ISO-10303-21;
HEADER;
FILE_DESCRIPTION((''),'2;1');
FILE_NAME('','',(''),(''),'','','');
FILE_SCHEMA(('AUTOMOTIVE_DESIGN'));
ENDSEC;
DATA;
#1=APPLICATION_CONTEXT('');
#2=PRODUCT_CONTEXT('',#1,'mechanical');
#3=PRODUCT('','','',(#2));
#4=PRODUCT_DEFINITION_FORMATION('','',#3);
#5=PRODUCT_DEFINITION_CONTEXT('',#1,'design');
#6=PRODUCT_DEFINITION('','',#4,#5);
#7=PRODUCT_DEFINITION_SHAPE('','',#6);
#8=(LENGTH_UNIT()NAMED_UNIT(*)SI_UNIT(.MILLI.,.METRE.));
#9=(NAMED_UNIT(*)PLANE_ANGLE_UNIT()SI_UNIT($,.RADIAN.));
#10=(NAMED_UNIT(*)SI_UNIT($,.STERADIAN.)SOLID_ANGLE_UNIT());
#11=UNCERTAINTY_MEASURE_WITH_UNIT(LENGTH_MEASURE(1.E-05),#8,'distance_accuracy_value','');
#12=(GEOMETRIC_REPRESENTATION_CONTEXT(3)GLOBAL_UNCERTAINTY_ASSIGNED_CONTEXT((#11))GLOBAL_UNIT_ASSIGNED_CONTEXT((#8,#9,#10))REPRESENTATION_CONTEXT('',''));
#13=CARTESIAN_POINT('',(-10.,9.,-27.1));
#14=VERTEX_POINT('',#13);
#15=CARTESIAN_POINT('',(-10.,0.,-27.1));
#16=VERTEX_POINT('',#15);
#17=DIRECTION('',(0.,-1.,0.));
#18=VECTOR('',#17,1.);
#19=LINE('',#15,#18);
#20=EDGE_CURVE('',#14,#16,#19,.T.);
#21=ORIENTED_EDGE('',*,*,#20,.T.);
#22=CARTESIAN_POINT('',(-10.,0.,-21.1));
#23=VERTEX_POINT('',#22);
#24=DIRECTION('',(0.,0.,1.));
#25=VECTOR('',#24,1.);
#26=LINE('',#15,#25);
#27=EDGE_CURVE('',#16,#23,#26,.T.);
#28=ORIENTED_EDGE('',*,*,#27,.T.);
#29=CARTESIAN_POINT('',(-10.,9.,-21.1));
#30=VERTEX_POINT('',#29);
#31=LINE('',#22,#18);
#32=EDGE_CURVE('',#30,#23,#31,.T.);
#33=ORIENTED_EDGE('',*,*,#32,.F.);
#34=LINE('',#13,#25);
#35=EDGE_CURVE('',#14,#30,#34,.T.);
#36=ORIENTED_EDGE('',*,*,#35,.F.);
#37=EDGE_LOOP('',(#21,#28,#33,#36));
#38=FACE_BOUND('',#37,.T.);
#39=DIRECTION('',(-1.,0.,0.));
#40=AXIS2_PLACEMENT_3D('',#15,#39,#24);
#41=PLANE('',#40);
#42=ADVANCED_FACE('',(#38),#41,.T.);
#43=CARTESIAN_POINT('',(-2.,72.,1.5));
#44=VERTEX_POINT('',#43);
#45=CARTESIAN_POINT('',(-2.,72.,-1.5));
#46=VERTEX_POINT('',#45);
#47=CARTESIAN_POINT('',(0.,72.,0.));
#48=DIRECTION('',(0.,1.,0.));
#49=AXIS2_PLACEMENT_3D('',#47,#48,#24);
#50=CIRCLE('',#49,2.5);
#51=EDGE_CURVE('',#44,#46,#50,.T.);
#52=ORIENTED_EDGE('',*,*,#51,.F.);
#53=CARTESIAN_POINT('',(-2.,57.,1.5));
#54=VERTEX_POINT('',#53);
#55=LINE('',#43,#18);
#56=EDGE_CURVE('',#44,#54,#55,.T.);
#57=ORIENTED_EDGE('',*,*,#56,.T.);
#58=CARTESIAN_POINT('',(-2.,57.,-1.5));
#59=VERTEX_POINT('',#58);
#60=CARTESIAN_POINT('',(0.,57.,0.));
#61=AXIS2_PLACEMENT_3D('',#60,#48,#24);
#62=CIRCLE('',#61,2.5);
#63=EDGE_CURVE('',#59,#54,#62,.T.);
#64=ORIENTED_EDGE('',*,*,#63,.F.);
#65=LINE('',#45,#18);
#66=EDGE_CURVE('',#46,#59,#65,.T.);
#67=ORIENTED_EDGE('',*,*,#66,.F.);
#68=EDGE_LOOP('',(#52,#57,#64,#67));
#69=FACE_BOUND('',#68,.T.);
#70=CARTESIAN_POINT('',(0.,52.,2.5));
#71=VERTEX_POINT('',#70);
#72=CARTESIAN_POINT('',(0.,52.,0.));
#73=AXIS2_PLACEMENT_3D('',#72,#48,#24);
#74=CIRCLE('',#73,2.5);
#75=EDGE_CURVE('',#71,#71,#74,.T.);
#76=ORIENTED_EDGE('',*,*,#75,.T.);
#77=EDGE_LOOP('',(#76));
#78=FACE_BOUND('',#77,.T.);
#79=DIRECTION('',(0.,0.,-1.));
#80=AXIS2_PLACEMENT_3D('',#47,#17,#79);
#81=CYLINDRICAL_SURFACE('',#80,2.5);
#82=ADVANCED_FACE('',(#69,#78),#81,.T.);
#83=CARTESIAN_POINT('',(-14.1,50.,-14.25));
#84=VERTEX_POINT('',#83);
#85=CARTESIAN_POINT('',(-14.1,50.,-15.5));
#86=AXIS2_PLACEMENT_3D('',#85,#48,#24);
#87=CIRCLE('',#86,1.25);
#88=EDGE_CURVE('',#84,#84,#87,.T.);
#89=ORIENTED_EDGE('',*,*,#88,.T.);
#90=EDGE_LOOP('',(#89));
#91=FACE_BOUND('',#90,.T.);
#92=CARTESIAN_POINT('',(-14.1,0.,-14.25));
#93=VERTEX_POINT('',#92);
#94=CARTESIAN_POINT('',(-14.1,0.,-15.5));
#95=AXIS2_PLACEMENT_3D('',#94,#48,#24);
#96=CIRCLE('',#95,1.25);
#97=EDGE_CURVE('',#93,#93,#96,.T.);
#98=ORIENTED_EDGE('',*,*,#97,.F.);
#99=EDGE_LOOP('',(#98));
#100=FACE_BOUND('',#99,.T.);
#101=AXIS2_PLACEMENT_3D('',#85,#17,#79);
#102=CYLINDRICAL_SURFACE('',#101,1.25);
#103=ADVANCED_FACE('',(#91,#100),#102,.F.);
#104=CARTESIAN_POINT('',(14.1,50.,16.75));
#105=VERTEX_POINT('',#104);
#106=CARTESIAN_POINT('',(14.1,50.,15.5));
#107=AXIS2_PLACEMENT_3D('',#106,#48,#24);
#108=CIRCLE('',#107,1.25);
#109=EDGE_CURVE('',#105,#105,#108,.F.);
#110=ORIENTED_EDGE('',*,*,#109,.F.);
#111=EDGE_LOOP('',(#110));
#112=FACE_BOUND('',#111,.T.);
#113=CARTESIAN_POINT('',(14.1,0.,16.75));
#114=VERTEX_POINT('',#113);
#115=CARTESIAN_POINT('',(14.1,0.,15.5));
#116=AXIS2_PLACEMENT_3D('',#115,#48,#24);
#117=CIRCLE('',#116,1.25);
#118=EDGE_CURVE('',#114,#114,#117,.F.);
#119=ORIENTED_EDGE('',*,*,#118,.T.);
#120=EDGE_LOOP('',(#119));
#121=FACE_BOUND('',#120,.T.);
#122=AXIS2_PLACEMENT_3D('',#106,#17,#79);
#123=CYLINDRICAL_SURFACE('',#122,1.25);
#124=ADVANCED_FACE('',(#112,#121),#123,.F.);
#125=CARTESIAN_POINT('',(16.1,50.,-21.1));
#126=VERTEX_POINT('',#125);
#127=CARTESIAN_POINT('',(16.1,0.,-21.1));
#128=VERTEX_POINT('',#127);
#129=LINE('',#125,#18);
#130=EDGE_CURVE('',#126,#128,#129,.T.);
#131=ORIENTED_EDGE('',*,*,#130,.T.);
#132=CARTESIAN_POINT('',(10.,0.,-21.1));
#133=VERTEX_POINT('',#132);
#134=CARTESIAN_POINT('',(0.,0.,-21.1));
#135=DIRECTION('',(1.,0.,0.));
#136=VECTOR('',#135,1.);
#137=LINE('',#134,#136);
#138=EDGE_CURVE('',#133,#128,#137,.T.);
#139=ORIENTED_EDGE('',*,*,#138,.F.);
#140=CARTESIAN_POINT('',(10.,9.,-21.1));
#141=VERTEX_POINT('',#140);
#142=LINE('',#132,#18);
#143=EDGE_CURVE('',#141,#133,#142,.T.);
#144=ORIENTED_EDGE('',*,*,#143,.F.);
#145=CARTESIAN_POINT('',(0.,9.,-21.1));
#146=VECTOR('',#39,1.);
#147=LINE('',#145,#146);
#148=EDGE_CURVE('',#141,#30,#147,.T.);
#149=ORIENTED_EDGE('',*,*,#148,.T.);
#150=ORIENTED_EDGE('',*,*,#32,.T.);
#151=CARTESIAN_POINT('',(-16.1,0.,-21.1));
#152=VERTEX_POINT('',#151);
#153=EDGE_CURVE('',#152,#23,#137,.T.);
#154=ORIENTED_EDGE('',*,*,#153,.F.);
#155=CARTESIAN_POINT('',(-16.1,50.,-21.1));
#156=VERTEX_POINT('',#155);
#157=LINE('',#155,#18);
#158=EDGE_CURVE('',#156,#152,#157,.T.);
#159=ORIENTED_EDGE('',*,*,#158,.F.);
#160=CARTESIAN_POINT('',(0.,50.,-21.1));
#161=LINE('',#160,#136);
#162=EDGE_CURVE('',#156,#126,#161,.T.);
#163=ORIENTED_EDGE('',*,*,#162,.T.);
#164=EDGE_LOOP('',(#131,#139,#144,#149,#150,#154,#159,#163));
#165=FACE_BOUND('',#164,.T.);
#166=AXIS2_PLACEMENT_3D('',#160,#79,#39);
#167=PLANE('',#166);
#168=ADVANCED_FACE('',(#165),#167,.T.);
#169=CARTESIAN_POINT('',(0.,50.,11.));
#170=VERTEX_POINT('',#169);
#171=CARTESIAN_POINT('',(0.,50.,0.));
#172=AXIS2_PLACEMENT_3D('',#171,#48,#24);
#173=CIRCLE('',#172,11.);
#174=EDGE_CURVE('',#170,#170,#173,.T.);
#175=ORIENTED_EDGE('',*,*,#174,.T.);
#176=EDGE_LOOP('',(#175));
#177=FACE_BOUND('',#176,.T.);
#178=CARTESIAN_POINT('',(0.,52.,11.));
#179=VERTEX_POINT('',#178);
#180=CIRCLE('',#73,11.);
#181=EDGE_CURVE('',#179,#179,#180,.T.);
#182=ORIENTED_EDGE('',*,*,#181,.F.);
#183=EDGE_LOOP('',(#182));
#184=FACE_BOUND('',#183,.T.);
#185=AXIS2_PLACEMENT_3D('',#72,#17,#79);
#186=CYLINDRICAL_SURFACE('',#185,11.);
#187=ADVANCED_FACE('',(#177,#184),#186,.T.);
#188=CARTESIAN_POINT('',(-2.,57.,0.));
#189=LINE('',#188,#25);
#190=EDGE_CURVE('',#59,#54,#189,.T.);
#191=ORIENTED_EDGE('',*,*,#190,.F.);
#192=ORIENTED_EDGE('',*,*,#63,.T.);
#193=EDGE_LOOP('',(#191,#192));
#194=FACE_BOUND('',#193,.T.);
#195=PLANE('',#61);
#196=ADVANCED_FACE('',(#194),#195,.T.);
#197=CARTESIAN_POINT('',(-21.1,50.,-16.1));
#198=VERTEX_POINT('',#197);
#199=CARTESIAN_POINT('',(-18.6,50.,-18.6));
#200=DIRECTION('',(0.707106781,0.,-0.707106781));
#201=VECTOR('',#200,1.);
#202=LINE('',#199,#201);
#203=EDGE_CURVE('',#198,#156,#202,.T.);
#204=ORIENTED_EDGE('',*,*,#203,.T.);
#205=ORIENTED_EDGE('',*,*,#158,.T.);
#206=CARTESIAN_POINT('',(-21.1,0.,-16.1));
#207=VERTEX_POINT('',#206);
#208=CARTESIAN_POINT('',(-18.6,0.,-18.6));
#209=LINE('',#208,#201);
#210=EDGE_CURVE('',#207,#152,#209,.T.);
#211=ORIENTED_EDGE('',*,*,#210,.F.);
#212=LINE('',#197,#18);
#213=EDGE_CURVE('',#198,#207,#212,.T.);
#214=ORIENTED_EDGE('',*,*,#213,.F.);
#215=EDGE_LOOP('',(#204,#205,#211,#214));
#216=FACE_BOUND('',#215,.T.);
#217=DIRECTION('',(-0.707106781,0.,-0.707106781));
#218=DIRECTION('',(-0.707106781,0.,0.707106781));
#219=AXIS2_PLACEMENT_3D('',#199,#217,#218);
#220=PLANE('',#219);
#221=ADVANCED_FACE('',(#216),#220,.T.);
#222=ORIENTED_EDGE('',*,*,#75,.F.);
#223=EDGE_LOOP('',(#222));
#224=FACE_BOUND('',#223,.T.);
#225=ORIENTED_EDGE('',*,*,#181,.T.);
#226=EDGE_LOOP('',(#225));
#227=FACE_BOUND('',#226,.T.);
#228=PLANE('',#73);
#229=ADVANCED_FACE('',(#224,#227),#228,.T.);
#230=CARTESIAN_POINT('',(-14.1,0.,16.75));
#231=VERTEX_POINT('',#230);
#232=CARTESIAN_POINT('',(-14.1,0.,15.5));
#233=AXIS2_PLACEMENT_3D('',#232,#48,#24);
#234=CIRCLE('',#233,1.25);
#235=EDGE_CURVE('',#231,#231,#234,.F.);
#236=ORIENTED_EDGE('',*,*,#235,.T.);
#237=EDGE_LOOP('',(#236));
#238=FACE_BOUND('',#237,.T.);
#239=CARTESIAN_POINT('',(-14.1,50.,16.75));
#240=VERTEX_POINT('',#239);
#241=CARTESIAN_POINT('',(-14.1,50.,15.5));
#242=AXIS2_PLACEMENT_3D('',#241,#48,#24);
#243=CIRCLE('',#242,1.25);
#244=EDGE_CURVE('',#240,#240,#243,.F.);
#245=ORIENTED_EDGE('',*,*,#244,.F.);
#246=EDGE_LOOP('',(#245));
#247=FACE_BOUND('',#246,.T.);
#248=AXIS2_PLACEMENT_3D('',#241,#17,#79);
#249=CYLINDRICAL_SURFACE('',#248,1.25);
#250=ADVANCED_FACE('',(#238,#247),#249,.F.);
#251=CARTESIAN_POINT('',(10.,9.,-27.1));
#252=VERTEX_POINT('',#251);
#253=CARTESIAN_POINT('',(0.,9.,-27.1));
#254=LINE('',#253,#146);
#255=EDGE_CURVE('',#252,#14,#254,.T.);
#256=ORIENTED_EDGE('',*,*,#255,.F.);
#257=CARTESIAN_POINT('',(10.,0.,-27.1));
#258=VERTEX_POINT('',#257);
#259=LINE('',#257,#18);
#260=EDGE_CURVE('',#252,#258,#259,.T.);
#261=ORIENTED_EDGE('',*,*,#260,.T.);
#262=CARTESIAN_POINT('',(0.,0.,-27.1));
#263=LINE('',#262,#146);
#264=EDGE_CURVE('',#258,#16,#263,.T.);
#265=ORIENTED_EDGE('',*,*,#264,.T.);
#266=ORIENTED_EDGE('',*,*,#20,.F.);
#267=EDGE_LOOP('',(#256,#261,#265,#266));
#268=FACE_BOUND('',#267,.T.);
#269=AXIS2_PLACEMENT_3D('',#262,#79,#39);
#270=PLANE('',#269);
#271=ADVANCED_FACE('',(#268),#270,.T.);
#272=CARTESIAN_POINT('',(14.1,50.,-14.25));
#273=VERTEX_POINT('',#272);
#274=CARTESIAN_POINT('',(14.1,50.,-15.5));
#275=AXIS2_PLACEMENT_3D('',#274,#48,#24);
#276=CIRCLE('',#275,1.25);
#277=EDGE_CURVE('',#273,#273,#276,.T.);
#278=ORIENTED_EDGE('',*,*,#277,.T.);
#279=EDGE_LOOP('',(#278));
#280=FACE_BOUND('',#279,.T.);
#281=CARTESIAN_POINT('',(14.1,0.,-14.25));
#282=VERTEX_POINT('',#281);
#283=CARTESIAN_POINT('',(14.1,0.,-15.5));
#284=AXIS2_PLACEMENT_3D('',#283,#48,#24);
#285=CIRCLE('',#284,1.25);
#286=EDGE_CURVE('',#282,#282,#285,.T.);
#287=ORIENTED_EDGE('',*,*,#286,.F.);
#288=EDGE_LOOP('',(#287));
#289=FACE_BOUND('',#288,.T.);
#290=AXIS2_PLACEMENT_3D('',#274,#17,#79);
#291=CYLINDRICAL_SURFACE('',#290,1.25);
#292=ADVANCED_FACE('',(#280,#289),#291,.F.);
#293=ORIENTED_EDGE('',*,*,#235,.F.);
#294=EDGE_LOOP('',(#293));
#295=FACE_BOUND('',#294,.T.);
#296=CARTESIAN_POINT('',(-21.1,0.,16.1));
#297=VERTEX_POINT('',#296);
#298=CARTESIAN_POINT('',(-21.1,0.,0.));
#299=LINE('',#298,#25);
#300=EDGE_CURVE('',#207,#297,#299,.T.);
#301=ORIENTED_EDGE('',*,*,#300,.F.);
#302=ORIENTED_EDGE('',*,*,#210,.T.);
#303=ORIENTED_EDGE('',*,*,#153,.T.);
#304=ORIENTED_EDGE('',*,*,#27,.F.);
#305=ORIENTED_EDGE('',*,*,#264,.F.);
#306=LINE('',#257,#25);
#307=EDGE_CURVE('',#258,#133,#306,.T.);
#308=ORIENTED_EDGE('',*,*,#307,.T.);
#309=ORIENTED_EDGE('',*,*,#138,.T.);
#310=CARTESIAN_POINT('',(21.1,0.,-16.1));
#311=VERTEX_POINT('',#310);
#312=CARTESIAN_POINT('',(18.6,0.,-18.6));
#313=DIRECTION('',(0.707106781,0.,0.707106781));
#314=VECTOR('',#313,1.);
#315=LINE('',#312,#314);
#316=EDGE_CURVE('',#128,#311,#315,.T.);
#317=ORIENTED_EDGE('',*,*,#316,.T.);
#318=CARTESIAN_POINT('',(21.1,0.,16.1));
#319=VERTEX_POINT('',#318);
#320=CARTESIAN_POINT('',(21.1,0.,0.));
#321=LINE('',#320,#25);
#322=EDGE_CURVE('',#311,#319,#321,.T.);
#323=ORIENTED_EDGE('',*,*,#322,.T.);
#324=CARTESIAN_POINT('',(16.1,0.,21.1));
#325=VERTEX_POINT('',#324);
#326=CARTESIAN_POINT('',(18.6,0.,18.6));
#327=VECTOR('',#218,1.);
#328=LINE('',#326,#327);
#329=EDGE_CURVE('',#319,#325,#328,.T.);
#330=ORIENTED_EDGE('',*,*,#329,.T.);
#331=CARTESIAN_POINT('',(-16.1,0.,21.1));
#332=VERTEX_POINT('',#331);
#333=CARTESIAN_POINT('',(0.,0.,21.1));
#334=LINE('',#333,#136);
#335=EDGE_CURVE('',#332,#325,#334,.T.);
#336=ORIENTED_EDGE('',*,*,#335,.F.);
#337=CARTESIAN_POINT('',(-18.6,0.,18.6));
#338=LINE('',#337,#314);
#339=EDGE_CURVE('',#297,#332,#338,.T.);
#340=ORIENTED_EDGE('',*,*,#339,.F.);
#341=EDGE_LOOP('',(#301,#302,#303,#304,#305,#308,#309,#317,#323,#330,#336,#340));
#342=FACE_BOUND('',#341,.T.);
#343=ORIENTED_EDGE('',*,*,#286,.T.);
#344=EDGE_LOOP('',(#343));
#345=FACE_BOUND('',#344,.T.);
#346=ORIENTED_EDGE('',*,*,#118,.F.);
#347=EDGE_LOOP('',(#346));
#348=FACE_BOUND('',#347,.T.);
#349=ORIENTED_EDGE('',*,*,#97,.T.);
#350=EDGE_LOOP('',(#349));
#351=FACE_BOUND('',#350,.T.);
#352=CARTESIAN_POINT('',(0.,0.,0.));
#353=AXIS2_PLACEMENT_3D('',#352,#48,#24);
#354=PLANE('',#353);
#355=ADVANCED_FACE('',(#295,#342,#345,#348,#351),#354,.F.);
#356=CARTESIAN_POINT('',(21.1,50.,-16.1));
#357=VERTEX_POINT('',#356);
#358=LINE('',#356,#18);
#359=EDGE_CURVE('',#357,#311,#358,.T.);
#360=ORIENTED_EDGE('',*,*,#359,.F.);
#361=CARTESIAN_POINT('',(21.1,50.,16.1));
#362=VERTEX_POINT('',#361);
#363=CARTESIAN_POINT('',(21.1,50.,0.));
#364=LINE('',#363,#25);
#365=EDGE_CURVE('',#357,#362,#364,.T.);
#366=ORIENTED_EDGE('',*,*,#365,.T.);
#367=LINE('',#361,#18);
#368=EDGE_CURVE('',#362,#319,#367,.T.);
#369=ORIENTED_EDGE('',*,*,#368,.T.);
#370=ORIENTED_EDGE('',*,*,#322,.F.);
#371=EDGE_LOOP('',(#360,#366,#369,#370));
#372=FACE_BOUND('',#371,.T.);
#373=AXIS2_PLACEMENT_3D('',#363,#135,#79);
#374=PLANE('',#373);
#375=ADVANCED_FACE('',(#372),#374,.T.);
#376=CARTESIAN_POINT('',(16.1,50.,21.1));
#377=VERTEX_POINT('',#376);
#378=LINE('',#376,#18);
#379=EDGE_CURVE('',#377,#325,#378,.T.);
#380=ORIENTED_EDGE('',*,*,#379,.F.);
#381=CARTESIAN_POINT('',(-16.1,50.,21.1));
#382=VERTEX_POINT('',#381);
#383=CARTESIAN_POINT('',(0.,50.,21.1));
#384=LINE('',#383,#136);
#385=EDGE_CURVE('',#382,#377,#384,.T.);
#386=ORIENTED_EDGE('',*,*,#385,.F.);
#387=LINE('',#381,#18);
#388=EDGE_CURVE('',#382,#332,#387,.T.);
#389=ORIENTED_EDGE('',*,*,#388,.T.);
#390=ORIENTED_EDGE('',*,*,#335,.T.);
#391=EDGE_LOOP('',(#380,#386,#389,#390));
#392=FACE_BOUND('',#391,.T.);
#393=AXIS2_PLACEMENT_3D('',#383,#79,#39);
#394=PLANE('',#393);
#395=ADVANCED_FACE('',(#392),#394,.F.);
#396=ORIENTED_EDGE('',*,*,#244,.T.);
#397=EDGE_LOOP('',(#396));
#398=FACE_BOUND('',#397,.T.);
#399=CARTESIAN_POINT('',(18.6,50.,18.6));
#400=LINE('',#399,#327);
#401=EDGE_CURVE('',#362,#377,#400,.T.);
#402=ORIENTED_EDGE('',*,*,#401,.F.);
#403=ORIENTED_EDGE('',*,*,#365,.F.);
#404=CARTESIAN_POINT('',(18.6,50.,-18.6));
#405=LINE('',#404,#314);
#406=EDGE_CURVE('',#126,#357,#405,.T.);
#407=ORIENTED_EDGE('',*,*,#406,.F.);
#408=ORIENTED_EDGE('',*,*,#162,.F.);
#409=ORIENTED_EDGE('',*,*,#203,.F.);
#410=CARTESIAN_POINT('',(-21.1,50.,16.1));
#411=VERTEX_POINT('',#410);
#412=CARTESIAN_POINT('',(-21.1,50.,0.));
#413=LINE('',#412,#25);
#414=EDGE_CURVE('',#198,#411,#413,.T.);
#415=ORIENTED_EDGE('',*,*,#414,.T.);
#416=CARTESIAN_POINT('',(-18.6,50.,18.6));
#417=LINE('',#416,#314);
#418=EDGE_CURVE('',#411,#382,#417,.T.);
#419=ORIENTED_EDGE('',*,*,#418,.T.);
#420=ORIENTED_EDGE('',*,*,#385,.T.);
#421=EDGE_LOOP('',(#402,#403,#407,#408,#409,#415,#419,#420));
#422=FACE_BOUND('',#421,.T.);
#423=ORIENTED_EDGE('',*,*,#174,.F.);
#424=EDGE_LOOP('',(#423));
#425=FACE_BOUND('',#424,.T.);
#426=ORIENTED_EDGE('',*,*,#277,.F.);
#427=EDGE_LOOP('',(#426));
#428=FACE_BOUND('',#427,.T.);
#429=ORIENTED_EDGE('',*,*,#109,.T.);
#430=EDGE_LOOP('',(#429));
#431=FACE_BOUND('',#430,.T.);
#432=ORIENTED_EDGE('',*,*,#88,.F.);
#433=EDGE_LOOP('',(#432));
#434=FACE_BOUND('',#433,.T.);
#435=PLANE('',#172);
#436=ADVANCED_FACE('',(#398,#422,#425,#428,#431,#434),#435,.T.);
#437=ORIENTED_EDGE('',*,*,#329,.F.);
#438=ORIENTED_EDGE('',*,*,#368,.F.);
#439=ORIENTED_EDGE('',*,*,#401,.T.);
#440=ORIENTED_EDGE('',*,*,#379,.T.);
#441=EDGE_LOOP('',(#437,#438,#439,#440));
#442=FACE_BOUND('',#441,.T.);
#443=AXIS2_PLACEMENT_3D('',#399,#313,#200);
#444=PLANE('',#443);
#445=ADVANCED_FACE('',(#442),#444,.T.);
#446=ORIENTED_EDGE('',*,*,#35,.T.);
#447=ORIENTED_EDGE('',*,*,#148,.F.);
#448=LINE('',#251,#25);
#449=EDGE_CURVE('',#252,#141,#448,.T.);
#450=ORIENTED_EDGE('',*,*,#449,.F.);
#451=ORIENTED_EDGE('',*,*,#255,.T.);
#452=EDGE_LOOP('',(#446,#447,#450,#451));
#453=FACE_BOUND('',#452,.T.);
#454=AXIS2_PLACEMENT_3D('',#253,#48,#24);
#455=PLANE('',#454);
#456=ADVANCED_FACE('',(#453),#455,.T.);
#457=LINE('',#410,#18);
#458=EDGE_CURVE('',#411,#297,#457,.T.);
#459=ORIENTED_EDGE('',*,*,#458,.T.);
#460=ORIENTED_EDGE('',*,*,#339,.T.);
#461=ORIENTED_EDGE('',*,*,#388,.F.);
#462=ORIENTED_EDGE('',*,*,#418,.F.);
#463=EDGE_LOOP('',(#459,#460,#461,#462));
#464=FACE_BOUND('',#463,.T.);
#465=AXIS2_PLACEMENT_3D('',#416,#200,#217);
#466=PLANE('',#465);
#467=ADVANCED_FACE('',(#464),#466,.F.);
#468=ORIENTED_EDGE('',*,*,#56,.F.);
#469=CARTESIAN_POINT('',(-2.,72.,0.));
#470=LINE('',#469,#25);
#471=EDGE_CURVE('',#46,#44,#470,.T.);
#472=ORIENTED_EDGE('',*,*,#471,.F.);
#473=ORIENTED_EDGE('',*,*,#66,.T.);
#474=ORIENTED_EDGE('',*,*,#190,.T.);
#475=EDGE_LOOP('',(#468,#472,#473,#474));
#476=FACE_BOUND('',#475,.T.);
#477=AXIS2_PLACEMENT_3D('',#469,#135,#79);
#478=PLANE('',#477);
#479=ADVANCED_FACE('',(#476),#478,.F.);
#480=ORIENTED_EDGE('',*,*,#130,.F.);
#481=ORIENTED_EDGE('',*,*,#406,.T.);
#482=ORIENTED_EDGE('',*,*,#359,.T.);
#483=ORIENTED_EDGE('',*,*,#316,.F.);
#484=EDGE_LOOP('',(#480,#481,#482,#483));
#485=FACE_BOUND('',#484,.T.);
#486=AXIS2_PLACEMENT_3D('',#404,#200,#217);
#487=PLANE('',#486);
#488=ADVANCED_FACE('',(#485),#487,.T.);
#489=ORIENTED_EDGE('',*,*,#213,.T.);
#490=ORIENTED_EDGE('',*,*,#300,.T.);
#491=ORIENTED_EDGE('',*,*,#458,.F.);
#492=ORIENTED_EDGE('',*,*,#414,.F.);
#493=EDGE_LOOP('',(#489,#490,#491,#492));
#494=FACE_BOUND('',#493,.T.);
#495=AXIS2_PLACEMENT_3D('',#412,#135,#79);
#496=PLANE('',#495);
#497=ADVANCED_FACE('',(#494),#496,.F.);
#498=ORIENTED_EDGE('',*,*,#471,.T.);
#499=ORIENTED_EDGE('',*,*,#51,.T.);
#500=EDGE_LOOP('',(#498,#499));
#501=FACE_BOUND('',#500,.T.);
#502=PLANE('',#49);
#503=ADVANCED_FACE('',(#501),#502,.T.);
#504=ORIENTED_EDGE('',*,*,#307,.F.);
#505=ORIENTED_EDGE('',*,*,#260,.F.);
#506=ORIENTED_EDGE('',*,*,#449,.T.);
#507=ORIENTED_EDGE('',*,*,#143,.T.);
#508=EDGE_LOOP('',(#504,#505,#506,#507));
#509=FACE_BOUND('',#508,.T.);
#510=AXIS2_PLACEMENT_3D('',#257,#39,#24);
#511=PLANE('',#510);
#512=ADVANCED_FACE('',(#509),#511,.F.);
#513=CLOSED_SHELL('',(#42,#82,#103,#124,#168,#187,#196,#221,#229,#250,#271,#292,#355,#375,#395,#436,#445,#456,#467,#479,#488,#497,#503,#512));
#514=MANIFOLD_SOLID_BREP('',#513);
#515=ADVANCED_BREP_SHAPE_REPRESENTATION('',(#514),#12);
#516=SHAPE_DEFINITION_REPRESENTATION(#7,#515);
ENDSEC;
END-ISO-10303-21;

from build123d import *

# Parameters (mm, degrees)
SKETCH_1_R      = 1.25
SKETCH_1_R_2    = 11
EXTRUDE_1_DEPTH = 50
SKETCH_1_3_R    = 11
EXTRUDE_2_DEPTH = 52
EXTRUDE_3_DEPTH = 72
EXTRUDE_4_DEPTH = 57
SKETCH_2_W      = 20
SKETCH_2_H      = 9
EXTRUDE_5_DEPTH = 6


with BuildPart() as part:
    # 草图1 → 凸台-拉伸1 (new body)
    with BuildSketch(Plane(origin=(0, 0, 0), x_dir=(1, 0, 0), z_dir=(0, 1, 0))):
        Polygon((-21.1, -16.1), (-16.1, -21.1), (16.1, -21.1), (21.1, -16.1), (21.1, 16.1), (16.1, 21.1), (-16.1, 21.1), (-21.1, 16.1), align=None)
        with Locations((-14.1, -15.5)):
            Circle(SKETCH_1_R, mode=Mode.SUBTRACT)
        with Locations((14.1, -15.5)):
            Circle(SKETCH_1_R, mode=Mode.SUBTRACT)
        with Locations((-14.1, 15.5)):
            Circle(SKETCH_1_R, mode=Mode.SUBTRACT)
        Circle(SKETCH_1_R_2, mode=Mode.SUBTRACT)
        with Locations((14.1, 15.5)):
            Circle(SKETCH_1_R, mode=Mode.SUBTRACT)
    extrude(amount=EXTRUDE_1_DEPTH)

    # 草图1<3> → 凸台-拉伸2 (add)
    with BuildSketch(Plane(origin=(0, 0, 0), x_dir=(1, 0, 0), z_dir=(0, 1, 0))):
        Circle(SKETCH_1_3_R)
        with BuildLine():
            ThreePointArc((-2, -1.5), (-2.5, 0), (-2, 1.5))
            ThreePointArc((-2, 1.5), (0.790569415, 2.371708245), (2.5, 0))
            ThreePointArc((2.5, 0), (0.790569415, -2.371708245), (-2, -1.5))
        make_face(mode=Mode.SUBTRACT)
    extrude(amount=EXTRUDE_2_DEPTH)

    # 草图1<4> → 凸台-拉伸3 (add)
    with BuildSketch(Plane(origin=(0, 0, 0), x_dir=(1, 0, 0), z_dir=(0, 1, 0))):
        with BuildLine():
            ThreePointArc((2.5, 0), (0.790569415, 2.371708245), (-2, 1.5))
            Line((-2, 1.5), (-2, -1.5))
            ThreePointArc((-2, -1.5), (0.790569415, -2.371708245), (2.5, 0))
        make_face()
    extrude(amount=EXTRUDE_3_DEPTH)

    # 草图1<5> → 凸台-拉伸4 (add)
    with BuildSketch(Plane(origin=(0, 0, 0), x_dir=(1, 0, 0), z_dir=(0, 1, 0))):
        with BuildLine():
            Line((-2, -1.5), (-2, 1.5))
            ThreePointArc((-2, 1.5), (-2.5, 0), (-2, -1.5))
        make_face()
    extrude(amount=EXTRUDE_4_DEPTH)

    # 草图2 → 凸台-拉伸5 (add)
    with BuildSketch(Plane(origin=(0, 0, -21.1), x_dir=(-1, 0, 0), z_dir=(0, 0, -1))):
        with Locations((0, 4.5)):
            Rectangle(SKETCH_2_W, SKETCH_2_H)
    extrude(amount=EXTRUDE_5_DEPTH)


solid = part.part
